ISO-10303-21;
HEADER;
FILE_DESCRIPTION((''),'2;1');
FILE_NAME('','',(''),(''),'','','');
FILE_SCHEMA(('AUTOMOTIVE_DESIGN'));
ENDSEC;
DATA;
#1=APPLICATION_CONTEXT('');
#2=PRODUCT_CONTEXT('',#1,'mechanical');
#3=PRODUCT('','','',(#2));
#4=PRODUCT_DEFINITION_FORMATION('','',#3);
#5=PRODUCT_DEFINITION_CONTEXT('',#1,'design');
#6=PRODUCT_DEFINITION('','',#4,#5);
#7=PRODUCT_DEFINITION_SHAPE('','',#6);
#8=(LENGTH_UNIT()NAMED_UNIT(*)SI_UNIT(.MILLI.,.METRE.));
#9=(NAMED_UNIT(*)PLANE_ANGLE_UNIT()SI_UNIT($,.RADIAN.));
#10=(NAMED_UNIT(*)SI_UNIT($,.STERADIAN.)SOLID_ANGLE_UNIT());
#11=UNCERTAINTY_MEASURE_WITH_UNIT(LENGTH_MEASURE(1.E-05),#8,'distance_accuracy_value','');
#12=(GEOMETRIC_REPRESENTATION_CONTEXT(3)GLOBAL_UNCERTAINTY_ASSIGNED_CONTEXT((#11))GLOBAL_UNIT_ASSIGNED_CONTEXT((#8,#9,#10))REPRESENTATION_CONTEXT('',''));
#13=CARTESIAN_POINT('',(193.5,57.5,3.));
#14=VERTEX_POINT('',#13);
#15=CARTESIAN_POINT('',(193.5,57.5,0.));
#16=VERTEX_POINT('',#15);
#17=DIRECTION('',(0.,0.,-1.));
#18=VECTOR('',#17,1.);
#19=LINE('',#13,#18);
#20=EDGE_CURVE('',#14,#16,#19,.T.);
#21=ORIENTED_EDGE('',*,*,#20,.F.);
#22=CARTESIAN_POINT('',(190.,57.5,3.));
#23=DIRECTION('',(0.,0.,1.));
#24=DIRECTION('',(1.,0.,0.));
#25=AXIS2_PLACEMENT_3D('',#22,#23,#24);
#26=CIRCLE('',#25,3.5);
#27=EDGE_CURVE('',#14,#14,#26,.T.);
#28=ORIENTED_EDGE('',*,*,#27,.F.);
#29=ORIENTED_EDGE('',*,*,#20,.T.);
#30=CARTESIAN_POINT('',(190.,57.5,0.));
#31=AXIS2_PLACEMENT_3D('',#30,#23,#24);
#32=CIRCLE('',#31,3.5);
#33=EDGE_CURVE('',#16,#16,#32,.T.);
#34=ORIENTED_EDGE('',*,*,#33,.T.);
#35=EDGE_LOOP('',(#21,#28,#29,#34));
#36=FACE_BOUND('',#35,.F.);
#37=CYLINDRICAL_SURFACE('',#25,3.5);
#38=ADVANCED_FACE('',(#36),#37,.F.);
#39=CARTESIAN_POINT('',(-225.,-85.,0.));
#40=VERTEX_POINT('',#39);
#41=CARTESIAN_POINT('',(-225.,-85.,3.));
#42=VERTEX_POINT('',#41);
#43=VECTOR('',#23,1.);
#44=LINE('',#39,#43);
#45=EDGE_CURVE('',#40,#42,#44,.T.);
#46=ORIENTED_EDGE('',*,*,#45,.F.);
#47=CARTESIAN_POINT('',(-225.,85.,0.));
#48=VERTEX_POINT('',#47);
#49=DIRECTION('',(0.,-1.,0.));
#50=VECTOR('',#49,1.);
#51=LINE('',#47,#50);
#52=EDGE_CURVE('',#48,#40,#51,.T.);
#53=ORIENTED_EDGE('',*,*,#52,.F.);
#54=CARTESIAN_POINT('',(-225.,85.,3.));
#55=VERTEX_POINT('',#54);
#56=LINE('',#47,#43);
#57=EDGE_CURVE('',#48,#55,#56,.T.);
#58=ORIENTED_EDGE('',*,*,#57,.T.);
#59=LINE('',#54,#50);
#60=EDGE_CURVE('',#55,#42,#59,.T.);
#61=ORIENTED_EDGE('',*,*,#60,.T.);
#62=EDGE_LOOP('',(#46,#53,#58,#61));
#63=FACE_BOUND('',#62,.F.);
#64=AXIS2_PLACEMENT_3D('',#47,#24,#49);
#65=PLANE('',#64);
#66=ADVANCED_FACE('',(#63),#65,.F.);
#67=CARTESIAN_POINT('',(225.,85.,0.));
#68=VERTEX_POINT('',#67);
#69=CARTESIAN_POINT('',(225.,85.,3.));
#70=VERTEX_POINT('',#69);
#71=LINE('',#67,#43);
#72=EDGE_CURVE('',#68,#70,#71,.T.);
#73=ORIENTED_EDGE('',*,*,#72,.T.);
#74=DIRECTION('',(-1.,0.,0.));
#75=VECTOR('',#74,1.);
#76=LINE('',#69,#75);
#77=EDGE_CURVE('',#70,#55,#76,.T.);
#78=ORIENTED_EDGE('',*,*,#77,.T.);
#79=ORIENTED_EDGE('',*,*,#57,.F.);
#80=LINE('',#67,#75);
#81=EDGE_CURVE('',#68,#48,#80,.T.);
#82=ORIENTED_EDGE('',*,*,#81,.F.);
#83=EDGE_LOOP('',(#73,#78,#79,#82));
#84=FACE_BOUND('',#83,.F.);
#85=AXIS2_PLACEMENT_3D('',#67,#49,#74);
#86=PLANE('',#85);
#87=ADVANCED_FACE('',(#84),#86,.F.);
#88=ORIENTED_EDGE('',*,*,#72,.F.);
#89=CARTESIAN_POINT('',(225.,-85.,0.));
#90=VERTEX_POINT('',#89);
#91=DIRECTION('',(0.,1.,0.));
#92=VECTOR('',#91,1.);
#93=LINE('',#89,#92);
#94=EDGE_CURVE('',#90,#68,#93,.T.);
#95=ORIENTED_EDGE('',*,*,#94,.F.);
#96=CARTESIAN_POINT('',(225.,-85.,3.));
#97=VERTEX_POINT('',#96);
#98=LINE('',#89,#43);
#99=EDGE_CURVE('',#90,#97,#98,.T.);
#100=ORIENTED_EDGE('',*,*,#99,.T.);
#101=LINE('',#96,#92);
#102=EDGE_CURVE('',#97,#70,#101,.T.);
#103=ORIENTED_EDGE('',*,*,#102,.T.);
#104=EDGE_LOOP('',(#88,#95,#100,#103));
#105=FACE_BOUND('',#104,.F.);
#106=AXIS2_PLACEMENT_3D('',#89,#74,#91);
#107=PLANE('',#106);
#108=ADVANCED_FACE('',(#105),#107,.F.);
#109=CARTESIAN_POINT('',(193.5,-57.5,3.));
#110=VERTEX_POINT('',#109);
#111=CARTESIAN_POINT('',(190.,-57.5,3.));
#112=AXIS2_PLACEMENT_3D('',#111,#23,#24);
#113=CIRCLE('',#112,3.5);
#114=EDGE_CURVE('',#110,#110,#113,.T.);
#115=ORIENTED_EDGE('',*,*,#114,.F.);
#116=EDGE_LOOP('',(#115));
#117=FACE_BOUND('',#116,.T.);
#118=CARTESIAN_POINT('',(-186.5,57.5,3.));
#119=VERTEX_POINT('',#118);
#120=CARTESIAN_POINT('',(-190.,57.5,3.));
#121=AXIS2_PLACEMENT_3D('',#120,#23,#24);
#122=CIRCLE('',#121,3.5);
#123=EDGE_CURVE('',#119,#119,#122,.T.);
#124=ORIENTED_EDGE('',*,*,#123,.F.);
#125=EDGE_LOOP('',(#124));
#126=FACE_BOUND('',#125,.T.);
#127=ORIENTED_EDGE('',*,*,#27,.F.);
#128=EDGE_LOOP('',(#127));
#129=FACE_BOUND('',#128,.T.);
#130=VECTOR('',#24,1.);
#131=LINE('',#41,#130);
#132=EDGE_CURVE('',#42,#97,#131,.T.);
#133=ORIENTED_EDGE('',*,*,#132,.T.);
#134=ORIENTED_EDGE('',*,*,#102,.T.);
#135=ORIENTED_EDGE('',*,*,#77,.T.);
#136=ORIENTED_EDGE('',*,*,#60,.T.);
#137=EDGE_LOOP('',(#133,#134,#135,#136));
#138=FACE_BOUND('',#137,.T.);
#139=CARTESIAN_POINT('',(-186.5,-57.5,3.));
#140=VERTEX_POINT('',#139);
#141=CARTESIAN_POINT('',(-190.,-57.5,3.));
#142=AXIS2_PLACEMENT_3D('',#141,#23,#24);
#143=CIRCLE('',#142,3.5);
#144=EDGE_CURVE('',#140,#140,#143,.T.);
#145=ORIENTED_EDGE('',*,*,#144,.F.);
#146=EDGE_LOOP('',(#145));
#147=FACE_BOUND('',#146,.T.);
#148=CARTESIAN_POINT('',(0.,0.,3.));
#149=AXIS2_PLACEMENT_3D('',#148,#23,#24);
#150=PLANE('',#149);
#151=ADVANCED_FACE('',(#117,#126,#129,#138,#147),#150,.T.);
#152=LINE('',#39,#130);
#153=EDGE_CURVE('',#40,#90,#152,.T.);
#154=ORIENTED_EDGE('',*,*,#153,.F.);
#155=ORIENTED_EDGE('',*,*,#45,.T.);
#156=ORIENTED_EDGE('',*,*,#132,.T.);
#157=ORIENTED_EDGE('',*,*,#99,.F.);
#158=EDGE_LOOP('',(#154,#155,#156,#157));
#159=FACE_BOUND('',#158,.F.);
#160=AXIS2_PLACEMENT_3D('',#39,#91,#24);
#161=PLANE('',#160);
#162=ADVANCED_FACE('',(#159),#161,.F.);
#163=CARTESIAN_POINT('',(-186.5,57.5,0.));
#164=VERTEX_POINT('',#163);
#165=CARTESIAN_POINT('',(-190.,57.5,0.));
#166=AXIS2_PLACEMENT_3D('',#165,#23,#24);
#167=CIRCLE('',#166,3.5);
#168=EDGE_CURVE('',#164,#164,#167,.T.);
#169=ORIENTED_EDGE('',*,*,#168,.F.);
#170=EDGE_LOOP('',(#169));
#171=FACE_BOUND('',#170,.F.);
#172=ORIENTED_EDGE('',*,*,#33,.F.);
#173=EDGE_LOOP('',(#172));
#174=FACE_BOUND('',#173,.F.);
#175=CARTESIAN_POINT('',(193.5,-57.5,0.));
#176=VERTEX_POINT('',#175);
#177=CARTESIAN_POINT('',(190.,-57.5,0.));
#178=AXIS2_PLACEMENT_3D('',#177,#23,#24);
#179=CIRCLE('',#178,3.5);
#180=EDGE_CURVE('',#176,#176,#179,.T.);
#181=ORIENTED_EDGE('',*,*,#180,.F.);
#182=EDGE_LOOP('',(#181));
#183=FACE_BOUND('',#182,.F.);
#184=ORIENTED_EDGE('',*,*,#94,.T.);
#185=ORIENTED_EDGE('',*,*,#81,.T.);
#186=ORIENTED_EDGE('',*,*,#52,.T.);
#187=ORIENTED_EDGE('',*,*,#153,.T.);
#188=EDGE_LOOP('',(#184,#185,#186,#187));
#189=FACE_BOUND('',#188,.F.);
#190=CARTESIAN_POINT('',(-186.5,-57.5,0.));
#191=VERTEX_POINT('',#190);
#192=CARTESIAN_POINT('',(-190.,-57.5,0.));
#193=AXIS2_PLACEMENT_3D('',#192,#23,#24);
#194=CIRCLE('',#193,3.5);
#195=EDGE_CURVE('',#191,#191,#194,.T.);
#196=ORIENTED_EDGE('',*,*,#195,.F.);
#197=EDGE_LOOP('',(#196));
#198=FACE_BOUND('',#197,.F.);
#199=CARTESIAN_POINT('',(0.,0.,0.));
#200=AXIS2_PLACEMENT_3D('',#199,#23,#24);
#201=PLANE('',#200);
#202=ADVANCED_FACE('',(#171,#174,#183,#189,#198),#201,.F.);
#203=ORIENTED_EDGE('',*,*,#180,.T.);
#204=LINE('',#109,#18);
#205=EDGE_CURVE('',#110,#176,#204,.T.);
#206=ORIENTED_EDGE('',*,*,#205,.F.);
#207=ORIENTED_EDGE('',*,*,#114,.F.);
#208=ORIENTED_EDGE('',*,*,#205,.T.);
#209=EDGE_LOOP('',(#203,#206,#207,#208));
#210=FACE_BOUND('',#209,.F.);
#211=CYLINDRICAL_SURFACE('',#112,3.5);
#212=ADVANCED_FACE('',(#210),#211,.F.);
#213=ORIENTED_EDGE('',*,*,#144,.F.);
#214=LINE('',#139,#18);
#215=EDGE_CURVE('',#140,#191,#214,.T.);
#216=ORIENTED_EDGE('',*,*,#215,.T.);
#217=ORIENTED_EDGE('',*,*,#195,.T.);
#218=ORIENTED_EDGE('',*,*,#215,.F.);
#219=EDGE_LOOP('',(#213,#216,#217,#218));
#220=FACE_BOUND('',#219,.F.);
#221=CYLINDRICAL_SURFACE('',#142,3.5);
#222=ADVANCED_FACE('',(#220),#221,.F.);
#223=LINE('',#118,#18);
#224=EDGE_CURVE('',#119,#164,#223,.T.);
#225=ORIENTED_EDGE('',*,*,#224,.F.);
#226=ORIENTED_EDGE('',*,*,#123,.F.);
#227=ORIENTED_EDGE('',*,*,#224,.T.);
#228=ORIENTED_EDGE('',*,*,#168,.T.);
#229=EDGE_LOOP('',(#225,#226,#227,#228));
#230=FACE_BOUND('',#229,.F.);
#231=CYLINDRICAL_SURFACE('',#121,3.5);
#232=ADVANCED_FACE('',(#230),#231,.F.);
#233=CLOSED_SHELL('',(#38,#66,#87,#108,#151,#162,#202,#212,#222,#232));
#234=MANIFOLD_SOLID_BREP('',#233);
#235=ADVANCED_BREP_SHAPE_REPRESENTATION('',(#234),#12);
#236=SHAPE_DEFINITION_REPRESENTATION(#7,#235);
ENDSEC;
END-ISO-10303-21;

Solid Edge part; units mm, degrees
sketch "Sketch1" plane through (0, 0, 0) normal (0, 0, 1) x (1, 0, 0)
  line L0 (-225, -85) -> (225, -85)
  line L1 (225, -85) -> (225, 85)
  line L2 (225, 85) -> (-225, 85)
  line L3 (-225, 85) -> (-225, -85)
  dimension "D1" = 450
  dimension "D2" = 170
extrude "Protrusion1" add sketch "Sketch1" along normal blind 3
sketch "Sketch2" plane through (0, 0, 3) normal (0, 0, 1) x (1, 0, 0)
  circle A0 centre (-190, 57.5) radius 3.5
  circle A1 centre (-190, -57.5) radius 3.5
  circle A2 centre (190, -57.5) radius 3.5
  circle A3 centre (190, 57.5) radius 3.5
  dimension "D1" = 380
  dimension "D2" = 115
  dimension "D3" = 7
extrude "Cutout1" cut sketch "Sketch2" against normal through all
properties material "Nylon, allgemein"
